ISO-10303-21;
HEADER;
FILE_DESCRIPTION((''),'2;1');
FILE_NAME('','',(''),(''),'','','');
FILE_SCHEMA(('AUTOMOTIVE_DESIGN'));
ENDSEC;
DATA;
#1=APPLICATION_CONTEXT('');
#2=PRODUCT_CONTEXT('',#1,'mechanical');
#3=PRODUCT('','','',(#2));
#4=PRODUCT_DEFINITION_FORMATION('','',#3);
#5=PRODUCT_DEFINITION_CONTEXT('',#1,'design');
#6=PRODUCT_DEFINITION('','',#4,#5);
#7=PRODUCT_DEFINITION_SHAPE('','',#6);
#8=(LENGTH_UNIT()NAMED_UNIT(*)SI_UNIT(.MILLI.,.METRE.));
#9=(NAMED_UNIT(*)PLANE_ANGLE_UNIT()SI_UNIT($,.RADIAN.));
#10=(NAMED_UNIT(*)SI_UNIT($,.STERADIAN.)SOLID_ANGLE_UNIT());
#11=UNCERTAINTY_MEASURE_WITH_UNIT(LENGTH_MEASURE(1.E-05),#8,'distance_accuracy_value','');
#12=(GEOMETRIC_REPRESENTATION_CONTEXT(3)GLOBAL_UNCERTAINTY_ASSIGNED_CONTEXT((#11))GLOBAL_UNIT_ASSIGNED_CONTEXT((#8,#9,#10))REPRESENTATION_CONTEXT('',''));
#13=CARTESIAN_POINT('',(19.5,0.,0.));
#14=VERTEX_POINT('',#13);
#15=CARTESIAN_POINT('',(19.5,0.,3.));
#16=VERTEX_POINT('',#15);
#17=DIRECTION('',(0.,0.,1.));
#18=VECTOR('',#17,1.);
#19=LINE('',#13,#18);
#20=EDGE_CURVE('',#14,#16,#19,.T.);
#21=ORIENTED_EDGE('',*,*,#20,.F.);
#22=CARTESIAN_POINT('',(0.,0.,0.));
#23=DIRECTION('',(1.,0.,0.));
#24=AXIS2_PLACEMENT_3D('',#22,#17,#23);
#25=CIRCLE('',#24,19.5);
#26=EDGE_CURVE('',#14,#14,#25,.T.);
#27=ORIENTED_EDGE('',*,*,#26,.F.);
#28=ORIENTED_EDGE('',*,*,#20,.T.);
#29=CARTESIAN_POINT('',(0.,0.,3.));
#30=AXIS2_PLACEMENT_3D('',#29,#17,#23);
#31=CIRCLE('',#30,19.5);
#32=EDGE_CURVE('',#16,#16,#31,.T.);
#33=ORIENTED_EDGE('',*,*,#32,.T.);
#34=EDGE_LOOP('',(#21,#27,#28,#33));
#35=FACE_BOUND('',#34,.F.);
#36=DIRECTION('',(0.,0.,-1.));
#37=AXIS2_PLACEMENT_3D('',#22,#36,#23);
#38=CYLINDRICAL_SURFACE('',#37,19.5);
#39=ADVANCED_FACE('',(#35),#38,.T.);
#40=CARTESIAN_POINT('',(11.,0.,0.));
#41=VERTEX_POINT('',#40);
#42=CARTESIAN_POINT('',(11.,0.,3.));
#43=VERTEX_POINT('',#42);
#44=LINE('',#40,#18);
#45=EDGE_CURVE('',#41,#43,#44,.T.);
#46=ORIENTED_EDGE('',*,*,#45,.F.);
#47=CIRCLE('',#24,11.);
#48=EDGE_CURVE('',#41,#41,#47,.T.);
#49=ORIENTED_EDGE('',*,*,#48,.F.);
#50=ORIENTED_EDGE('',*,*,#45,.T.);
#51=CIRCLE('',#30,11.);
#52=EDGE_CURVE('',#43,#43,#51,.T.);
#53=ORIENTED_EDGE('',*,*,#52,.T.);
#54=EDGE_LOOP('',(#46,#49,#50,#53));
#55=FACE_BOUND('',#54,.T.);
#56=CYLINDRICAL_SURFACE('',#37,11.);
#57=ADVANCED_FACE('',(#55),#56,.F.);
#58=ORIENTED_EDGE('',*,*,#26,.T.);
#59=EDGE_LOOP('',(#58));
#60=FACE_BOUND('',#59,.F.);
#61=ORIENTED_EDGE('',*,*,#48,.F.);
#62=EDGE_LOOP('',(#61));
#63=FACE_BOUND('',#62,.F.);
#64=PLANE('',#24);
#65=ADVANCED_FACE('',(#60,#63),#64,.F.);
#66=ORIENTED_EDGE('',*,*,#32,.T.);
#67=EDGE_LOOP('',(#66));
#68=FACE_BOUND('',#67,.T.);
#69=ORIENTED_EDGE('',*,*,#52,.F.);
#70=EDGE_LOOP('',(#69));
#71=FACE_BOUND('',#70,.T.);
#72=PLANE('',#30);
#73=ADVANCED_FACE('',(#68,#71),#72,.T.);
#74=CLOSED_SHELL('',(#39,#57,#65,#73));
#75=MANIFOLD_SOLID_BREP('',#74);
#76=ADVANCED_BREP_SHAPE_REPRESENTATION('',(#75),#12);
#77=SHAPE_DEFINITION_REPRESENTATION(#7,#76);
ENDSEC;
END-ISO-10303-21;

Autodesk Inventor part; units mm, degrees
ref_plane "YZ Plane" through (0, 0, 0) normal (1, 0, 0) x (0, 1, 0)
ref_plane "XZ Plane" through (0, 0, 0) normal (0, 1, 0) x (-1, 0, 0)
ref_plane "XY Plane" through (0, 0, 0) normal (0, 0, 1) x (1, 0, 0)
sketch "Sketch1" plane through (0, 0, 0) normal (0, 0, 1) x (1, 0, 0)
  circle A0 centre (0, 0) radius 11
  circle A1 centre (0, 0) radius 19.5
  dimension "d0" = 22
  dimension "d1" = 39
extrude "Extrusion1" add sketch "Sketch1" along normal blind 3
properties part number "washer4"
